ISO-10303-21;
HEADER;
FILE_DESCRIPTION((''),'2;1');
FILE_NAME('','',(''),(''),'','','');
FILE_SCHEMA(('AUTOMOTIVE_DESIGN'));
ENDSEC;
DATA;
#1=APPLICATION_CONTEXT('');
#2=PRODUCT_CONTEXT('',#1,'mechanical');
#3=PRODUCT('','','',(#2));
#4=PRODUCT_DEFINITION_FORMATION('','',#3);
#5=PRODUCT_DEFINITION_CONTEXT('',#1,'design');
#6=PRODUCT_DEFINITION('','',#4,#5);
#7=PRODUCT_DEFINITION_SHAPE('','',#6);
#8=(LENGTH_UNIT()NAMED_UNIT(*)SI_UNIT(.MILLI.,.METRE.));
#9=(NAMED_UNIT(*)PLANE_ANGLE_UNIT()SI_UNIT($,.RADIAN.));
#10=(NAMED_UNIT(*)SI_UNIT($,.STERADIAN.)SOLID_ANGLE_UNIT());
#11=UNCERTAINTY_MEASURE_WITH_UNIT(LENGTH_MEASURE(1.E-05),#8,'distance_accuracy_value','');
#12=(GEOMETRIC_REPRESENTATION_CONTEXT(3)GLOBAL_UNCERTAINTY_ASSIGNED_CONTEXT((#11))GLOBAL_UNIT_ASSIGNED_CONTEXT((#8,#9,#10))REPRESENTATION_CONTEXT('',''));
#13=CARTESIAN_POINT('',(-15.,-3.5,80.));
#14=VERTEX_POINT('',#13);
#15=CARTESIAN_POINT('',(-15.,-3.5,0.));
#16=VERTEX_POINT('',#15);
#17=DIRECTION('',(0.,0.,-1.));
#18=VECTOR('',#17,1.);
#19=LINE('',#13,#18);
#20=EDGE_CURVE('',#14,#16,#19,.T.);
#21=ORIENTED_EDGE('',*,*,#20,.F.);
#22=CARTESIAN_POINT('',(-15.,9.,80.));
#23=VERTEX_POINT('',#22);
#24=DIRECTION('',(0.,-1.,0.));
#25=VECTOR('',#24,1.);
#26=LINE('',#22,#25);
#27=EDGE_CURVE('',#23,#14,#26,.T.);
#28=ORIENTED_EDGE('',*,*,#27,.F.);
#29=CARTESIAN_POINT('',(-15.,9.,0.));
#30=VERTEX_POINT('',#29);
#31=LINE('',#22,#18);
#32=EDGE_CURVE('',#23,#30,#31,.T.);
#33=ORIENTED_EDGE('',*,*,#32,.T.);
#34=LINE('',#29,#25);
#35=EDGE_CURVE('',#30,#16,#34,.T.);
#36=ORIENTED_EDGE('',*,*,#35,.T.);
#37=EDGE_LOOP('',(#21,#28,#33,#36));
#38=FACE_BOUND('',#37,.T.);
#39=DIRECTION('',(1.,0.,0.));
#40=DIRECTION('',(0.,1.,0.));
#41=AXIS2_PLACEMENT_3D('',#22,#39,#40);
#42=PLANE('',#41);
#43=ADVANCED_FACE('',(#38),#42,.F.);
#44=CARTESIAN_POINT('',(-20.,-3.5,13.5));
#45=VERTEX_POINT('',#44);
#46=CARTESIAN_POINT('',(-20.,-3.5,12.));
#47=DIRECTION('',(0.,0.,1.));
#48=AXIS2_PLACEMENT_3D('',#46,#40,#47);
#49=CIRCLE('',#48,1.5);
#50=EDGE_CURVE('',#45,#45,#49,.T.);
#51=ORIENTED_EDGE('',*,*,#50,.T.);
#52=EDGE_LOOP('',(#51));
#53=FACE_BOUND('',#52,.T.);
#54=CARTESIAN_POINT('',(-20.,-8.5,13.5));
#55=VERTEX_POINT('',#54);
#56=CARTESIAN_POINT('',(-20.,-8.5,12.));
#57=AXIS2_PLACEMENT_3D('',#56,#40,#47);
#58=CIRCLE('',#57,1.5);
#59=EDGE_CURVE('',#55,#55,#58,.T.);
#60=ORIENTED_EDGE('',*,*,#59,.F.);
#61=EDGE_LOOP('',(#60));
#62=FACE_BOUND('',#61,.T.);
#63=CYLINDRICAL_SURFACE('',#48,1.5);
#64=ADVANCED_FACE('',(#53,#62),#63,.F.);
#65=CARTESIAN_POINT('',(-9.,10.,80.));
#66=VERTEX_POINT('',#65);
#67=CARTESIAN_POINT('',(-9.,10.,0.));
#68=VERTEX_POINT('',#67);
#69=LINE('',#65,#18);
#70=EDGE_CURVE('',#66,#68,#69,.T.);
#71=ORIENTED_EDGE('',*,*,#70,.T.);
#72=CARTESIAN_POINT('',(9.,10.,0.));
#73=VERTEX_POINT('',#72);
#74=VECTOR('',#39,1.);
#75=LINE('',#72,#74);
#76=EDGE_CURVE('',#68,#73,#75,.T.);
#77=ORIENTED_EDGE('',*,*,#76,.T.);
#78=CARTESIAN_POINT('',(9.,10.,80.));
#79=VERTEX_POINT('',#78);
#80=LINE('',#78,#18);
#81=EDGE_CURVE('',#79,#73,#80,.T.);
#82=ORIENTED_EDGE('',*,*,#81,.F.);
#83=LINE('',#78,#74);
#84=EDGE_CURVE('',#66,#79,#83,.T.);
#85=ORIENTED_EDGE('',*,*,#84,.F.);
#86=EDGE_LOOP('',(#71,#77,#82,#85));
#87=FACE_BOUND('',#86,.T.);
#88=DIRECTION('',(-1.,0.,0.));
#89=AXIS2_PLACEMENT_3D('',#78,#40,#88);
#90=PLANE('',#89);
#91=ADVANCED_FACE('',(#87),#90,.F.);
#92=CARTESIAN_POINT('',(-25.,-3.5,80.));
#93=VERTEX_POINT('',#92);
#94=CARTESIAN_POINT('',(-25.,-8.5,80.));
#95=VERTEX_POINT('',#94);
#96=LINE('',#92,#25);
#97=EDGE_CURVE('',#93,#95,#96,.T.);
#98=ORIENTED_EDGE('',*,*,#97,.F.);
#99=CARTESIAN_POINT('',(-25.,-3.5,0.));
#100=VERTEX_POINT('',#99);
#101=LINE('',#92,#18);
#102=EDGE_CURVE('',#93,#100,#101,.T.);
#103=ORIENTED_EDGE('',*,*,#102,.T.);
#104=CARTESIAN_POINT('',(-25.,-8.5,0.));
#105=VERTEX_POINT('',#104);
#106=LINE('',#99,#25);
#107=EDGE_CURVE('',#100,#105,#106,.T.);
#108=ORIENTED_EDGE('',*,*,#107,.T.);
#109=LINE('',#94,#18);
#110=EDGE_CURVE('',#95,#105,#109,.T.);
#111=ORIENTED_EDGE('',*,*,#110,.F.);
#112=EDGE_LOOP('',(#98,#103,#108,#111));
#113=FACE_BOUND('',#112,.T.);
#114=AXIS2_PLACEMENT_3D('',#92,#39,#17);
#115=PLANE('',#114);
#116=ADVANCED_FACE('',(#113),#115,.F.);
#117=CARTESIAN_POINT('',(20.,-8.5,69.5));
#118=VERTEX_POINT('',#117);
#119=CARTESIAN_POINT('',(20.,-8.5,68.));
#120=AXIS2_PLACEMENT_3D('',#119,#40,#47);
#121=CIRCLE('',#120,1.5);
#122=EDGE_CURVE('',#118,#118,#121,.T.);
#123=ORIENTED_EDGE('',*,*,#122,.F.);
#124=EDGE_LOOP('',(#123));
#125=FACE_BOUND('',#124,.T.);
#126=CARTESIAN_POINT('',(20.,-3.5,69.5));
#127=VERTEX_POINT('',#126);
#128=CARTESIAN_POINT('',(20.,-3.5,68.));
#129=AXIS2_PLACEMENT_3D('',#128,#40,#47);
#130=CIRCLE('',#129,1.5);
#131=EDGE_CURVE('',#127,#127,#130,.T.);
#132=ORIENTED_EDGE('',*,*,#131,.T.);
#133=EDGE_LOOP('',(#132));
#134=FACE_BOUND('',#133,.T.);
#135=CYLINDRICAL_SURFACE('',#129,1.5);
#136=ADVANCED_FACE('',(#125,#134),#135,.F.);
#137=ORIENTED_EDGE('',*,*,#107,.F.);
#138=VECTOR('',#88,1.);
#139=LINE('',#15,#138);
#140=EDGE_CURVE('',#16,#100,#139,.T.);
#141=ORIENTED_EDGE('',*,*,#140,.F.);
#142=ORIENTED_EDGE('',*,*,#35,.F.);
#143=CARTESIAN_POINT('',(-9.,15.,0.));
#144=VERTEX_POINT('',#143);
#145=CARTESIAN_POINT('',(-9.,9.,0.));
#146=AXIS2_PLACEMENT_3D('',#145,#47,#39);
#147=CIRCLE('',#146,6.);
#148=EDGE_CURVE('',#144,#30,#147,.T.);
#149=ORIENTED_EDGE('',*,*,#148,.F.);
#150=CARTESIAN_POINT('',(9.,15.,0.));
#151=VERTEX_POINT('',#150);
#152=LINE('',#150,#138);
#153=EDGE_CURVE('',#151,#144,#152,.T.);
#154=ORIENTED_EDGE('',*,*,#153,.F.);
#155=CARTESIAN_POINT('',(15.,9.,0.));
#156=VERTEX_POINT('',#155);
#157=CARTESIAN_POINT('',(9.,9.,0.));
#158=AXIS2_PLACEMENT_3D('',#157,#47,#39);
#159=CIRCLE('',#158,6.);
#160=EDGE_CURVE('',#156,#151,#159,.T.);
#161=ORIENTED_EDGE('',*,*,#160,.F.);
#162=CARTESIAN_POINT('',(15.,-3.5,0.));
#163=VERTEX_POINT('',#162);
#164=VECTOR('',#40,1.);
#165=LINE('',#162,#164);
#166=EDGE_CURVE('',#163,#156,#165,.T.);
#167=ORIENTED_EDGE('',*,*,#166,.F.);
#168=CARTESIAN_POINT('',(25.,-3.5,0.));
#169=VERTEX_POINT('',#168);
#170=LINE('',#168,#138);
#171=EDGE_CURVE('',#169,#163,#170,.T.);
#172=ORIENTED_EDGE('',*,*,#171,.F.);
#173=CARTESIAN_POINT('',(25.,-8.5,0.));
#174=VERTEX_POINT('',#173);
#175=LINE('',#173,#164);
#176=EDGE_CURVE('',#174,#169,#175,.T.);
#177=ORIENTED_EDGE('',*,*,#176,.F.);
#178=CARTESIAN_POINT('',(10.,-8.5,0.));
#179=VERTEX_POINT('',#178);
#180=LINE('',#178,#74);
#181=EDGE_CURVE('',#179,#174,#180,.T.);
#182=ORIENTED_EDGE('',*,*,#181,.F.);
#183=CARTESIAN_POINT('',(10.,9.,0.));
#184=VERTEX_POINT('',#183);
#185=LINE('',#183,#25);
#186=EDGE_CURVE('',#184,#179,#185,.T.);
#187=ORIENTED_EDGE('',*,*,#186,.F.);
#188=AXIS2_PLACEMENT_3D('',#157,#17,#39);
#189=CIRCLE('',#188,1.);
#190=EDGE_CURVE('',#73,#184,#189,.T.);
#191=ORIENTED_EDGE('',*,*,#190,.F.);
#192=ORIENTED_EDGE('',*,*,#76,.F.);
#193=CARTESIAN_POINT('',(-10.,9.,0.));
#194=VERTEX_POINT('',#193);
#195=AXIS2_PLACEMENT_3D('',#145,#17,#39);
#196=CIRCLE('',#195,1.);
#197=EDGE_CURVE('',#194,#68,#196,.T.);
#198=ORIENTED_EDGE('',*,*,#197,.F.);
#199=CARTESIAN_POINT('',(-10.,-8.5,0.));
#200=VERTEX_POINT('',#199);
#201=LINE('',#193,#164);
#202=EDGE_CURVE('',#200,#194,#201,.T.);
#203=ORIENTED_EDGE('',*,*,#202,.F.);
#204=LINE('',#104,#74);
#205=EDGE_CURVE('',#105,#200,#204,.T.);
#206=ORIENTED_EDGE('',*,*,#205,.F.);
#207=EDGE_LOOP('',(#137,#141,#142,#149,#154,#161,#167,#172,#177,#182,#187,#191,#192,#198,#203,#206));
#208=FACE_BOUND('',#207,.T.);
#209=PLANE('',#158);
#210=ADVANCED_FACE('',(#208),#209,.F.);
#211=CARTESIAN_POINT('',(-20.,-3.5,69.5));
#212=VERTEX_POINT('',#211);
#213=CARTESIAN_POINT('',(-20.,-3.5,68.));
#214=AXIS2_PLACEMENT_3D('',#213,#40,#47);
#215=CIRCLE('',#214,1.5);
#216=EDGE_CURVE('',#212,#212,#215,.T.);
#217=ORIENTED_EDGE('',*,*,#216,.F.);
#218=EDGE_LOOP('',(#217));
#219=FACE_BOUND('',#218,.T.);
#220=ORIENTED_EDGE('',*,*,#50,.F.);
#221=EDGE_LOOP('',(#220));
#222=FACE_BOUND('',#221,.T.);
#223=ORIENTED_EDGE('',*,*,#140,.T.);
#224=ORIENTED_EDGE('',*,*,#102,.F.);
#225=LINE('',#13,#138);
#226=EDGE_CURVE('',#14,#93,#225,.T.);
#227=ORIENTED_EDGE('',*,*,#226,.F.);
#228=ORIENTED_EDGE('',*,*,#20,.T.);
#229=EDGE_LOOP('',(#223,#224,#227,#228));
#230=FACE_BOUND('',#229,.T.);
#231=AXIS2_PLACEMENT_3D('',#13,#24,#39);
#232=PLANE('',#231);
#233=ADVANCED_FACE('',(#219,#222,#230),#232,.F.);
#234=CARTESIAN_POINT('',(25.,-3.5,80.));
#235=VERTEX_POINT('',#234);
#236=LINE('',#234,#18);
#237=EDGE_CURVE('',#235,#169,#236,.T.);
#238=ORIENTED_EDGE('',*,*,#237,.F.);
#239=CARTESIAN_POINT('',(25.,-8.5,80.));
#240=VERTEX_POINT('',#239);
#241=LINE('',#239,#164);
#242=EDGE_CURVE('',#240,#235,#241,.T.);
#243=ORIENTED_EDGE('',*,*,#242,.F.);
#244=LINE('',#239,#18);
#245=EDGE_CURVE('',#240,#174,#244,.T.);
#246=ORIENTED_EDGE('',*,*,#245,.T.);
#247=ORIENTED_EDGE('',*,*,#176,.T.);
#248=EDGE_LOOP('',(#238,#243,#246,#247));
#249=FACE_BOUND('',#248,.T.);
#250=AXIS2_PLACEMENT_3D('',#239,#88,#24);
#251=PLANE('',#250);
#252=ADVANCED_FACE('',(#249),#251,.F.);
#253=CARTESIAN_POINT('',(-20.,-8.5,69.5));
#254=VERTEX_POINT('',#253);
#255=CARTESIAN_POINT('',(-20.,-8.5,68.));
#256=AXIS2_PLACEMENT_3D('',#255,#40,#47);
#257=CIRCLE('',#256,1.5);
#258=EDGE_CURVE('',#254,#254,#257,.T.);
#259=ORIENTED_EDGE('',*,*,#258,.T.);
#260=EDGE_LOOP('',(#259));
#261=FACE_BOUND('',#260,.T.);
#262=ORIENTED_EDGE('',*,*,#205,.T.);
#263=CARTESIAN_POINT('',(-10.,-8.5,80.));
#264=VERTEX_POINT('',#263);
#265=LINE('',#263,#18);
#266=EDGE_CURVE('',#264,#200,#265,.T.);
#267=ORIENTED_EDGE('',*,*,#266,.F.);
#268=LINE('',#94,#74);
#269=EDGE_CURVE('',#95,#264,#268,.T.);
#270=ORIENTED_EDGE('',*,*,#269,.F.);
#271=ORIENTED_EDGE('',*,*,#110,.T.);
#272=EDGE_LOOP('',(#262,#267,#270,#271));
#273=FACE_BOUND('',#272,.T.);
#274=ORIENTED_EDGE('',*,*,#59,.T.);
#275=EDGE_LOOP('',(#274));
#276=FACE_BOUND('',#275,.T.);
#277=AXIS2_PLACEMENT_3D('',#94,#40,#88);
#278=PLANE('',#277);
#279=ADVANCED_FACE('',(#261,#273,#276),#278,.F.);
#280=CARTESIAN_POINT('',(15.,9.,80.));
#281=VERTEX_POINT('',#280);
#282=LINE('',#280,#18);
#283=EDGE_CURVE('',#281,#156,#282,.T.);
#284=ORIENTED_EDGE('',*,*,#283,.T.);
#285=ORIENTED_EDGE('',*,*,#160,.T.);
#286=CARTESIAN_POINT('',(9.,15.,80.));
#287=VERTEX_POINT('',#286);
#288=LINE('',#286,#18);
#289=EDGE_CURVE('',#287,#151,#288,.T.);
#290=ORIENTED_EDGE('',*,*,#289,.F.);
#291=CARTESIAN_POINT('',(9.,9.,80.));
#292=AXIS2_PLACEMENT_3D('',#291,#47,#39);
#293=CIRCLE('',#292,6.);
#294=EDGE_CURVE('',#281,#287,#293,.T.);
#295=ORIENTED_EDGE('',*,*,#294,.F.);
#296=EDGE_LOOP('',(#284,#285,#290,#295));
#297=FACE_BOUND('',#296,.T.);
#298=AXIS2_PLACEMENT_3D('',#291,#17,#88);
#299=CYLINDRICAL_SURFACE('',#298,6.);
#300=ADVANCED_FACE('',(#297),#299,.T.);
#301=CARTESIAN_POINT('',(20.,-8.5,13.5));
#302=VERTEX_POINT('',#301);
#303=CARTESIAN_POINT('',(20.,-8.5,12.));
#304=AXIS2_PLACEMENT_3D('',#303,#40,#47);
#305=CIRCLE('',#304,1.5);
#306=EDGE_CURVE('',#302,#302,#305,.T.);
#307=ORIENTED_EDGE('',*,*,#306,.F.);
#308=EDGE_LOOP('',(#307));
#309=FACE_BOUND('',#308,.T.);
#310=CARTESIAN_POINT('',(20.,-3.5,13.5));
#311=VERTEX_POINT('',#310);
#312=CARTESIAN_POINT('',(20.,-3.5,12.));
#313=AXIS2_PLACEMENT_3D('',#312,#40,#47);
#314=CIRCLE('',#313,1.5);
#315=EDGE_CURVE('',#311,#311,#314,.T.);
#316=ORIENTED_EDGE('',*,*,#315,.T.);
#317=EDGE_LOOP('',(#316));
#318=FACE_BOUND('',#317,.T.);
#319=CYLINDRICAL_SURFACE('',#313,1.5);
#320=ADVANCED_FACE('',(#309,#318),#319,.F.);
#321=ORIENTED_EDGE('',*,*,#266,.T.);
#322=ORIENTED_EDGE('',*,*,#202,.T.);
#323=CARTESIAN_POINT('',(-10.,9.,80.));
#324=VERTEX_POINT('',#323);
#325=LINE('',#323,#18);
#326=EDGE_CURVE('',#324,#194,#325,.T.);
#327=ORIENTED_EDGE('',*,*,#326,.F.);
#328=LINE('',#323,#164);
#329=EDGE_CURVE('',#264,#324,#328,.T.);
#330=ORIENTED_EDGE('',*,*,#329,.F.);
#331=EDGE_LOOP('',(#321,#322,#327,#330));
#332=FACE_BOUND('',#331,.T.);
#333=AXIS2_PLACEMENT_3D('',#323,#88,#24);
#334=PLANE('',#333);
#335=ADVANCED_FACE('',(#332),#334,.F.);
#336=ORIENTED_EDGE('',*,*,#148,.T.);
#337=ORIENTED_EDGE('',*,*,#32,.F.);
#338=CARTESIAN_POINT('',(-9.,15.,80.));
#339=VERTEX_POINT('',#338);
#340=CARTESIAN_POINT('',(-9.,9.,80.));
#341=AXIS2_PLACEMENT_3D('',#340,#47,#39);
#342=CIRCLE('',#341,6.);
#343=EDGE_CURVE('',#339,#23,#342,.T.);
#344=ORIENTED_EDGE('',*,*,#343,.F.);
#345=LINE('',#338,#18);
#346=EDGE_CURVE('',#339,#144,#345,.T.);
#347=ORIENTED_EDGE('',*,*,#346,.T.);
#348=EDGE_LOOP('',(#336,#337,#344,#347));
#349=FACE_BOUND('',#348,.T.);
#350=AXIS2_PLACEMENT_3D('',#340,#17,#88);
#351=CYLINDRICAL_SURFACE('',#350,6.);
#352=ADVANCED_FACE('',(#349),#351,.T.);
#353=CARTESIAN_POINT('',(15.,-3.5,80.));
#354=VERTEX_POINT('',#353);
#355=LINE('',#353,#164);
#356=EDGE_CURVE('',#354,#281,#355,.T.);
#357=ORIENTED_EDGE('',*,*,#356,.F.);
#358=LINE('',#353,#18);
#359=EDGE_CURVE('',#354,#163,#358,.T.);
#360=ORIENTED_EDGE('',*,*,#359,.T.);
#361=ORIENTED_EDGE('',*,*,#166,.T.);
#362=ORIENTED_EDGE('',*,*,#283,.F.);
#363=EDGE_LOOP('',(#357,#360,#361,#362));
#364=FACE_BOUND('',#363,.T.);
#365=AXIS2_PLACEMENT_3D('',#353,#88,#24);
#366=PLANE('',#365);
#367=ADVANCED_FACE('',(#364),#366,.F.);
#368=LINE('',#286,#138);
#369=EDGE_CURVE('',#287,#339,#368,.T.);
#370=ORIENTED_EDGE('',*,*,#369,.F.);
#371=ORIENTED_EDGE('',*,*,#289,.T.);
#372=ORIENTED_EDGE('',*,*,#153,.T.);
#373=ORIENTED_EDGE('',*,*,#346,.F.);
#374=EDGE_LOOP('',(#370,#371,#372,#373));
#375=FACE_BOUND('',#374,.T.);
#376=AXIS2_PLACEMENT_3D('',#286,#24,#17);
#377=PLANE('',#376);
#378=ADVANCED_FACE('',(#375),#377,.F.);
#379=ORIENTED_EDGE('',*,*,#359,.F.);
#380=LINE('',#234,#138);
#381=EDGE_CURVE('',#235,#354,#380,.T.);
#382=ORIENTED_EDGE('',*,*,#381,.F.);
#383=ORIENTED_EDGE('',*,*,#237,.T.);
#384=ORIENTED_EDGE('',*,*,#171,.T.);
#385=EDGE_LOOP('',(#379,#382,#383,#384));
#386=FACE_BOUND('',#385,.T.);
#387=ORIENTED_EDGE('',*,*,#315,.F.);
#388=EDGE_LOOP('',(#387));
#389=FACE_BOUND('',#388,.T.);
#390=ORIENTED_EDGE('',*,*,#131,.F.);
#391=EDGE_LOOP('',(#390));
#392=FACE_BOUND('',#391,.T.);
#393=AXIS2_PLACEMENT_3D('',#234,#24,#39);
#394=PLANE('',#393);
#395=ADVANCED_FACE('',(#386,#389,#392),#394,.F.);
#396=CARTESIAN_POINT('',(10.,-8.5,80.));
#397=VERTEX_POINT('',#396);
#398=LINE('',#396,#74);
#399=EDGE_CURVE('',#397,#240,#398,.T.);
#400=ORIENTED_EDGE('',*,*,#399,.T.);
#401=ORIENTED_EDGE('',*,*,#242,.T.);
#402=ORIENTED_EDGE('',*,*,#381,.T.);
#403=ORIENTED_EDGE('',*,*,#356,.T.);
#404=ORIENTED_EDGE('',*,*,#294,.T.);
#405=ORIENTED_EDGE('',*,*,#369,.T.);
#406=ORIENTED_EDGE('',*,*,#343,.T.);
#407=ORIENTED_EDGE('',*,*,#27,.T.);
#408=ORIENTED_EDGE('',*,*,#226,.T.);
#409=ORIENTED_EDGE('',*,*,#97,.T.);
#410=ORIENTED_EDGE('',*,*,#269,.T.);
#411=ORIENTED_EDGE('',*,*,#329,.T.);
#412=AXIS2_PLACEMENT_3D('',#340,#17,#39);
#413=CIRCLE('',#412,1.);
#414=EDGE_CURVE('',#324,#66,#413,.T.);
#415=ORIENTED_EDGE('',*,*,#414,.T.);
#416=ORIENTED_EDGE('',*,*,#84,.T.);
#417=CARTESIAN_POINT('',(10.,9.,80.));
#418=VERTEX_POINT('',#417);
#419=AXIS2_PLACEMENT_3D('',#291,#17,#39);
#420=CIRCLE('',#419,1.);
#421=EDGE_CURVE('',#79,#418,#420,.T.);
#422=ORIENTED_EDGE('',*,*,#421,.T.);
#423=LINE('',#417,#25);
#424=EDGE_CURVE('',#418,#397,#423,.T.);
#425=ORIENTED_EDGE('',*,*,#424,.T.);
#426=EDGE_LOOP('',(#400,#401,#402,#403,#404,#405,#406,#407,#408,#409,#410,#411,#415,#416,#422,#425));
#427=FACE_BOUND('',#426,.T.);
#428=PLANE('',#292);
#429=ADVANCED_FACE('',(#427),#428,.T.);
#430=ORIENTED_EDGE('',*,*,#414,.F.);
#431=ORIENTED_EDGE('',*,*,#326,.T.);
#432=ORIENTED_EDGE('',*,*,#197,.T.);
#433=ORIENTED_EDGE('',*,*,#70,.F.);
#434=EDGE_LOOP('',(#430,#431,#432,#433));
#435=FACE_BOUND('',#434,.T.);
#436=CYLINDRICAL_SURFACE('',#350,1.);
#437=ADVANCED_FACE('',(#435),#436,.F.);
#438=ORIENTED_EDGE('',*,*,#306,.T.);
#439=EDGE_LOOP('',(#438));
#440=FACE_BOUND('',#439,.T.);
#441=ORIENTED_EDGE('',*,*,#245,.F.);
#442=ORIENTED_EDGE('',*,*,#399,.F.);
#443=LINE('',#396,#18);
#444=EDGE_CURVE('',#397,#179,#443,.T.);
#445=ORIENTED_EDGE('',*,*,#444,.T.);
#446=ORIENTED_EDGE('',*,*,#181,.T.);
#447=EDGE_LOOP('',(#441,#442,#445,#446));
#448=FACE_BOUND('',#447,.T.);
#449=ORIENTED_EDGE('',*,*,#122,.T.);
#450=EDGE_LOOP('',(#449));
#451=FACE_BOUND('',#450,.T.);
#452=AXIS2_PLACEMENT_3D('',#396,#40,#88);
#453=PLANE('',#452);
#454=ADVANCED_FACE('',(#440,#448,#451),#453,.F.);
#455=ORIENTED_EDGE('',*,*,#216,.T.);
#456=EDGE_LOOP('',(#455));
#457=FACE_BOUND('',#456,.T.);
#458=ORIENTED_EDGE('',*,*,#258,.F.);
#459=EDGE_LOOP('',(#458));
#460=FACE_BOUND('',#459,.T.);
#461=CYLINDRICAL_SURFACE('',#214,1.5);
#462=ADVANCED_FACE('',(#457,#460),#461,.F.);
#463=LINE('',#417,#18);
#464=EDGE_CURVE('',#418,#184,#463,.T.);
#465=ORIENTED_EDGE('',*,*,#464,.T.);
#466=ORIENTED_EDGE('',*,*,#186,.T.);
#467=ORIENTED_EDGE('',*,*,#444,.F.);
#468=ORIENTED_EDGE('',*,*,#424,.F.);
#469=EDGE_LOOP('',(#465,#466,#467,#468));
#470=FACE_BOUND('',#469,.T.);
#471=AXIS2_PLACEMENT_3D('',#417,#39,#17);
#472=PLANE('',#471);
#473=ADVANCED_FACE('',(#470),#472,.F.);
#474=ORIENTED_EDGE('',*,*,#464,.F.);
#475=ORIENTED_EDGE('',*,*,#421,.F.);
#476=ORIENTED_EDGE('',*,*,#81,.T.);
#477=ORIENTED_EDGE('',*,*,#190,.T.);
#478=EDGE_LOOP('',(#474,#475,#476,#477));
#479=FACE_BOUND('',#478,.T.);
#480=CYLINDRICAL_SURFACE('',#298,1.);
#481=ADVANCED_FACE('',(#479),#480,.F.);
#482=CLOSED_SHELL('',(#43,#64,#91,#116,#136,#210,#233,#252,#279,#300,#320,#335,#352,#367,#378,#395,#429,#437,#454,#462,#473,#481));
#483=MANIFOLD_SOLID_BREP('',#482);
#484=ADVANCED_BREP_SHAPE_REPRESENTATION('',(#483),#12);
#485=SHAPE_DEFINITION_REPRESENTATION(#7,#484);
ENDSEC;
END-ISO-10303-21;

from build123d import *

# Parameters (mm, degrees)
BOSS_EXTRUDE1_DEPTH   = 80
F_3_0MM_DOWEL_HOLE1_D = 3


with BuildPart() as part:
    # Sketch1 → Boss-Extrude1 (new body)
    with BuildSketch(Plane.XY):
        with BuildLine():
            Line((9, 15), (-9, 15))
            ThreePointArc((-9, 15), (-13.242640687, 13.242640687), (-15, 9))
            Line((-15, 9), (-15, -3.5))
            Line((-15, -3.5), (-25, -3.5))
            Line((-25, -3.5), (-25, -8.5))
            Line((-25, -8.5), (-10, -8.5))
            Line((-10, -8.5), (-10, 9))
            ThreePointArc((-10, 9), (-9.707106781, 9.707106781), (-9, 10))
            Line((-9, 10), (9, 10))
            ThreePointArc((9, 10), (9.707106781, 9.707106781), (10, 9))
            Line((10, 9), (10, -8.5))
            Line((10, -8.5), (25, -8.5))
            Line((25, -8.5), (25, -3.5))
            Line((25, -3.5), (15, -3.5))
            Line((15, -3.5), (15, 9))
            ThreePointArc((15, 9), (13.242640687, 13.242640687), (9, 15))
        make_face()
    extrude(amount=BOSS_EXTRUDE1_DEPTH)

    # Ø3.0mm Dowel Hole1 (through all)
    with Locations(Plane(origin=(0, -3.5, 0), x_dir=(1, 0, 0), z_dir=(0, 1, 0))):
        with Locations((-20, -12), (-20, -68), (20, -12), (20, -68)):
            Hole(F_3_0MM_DOWEL_HOLE1_D / 2)


solid = part.part
